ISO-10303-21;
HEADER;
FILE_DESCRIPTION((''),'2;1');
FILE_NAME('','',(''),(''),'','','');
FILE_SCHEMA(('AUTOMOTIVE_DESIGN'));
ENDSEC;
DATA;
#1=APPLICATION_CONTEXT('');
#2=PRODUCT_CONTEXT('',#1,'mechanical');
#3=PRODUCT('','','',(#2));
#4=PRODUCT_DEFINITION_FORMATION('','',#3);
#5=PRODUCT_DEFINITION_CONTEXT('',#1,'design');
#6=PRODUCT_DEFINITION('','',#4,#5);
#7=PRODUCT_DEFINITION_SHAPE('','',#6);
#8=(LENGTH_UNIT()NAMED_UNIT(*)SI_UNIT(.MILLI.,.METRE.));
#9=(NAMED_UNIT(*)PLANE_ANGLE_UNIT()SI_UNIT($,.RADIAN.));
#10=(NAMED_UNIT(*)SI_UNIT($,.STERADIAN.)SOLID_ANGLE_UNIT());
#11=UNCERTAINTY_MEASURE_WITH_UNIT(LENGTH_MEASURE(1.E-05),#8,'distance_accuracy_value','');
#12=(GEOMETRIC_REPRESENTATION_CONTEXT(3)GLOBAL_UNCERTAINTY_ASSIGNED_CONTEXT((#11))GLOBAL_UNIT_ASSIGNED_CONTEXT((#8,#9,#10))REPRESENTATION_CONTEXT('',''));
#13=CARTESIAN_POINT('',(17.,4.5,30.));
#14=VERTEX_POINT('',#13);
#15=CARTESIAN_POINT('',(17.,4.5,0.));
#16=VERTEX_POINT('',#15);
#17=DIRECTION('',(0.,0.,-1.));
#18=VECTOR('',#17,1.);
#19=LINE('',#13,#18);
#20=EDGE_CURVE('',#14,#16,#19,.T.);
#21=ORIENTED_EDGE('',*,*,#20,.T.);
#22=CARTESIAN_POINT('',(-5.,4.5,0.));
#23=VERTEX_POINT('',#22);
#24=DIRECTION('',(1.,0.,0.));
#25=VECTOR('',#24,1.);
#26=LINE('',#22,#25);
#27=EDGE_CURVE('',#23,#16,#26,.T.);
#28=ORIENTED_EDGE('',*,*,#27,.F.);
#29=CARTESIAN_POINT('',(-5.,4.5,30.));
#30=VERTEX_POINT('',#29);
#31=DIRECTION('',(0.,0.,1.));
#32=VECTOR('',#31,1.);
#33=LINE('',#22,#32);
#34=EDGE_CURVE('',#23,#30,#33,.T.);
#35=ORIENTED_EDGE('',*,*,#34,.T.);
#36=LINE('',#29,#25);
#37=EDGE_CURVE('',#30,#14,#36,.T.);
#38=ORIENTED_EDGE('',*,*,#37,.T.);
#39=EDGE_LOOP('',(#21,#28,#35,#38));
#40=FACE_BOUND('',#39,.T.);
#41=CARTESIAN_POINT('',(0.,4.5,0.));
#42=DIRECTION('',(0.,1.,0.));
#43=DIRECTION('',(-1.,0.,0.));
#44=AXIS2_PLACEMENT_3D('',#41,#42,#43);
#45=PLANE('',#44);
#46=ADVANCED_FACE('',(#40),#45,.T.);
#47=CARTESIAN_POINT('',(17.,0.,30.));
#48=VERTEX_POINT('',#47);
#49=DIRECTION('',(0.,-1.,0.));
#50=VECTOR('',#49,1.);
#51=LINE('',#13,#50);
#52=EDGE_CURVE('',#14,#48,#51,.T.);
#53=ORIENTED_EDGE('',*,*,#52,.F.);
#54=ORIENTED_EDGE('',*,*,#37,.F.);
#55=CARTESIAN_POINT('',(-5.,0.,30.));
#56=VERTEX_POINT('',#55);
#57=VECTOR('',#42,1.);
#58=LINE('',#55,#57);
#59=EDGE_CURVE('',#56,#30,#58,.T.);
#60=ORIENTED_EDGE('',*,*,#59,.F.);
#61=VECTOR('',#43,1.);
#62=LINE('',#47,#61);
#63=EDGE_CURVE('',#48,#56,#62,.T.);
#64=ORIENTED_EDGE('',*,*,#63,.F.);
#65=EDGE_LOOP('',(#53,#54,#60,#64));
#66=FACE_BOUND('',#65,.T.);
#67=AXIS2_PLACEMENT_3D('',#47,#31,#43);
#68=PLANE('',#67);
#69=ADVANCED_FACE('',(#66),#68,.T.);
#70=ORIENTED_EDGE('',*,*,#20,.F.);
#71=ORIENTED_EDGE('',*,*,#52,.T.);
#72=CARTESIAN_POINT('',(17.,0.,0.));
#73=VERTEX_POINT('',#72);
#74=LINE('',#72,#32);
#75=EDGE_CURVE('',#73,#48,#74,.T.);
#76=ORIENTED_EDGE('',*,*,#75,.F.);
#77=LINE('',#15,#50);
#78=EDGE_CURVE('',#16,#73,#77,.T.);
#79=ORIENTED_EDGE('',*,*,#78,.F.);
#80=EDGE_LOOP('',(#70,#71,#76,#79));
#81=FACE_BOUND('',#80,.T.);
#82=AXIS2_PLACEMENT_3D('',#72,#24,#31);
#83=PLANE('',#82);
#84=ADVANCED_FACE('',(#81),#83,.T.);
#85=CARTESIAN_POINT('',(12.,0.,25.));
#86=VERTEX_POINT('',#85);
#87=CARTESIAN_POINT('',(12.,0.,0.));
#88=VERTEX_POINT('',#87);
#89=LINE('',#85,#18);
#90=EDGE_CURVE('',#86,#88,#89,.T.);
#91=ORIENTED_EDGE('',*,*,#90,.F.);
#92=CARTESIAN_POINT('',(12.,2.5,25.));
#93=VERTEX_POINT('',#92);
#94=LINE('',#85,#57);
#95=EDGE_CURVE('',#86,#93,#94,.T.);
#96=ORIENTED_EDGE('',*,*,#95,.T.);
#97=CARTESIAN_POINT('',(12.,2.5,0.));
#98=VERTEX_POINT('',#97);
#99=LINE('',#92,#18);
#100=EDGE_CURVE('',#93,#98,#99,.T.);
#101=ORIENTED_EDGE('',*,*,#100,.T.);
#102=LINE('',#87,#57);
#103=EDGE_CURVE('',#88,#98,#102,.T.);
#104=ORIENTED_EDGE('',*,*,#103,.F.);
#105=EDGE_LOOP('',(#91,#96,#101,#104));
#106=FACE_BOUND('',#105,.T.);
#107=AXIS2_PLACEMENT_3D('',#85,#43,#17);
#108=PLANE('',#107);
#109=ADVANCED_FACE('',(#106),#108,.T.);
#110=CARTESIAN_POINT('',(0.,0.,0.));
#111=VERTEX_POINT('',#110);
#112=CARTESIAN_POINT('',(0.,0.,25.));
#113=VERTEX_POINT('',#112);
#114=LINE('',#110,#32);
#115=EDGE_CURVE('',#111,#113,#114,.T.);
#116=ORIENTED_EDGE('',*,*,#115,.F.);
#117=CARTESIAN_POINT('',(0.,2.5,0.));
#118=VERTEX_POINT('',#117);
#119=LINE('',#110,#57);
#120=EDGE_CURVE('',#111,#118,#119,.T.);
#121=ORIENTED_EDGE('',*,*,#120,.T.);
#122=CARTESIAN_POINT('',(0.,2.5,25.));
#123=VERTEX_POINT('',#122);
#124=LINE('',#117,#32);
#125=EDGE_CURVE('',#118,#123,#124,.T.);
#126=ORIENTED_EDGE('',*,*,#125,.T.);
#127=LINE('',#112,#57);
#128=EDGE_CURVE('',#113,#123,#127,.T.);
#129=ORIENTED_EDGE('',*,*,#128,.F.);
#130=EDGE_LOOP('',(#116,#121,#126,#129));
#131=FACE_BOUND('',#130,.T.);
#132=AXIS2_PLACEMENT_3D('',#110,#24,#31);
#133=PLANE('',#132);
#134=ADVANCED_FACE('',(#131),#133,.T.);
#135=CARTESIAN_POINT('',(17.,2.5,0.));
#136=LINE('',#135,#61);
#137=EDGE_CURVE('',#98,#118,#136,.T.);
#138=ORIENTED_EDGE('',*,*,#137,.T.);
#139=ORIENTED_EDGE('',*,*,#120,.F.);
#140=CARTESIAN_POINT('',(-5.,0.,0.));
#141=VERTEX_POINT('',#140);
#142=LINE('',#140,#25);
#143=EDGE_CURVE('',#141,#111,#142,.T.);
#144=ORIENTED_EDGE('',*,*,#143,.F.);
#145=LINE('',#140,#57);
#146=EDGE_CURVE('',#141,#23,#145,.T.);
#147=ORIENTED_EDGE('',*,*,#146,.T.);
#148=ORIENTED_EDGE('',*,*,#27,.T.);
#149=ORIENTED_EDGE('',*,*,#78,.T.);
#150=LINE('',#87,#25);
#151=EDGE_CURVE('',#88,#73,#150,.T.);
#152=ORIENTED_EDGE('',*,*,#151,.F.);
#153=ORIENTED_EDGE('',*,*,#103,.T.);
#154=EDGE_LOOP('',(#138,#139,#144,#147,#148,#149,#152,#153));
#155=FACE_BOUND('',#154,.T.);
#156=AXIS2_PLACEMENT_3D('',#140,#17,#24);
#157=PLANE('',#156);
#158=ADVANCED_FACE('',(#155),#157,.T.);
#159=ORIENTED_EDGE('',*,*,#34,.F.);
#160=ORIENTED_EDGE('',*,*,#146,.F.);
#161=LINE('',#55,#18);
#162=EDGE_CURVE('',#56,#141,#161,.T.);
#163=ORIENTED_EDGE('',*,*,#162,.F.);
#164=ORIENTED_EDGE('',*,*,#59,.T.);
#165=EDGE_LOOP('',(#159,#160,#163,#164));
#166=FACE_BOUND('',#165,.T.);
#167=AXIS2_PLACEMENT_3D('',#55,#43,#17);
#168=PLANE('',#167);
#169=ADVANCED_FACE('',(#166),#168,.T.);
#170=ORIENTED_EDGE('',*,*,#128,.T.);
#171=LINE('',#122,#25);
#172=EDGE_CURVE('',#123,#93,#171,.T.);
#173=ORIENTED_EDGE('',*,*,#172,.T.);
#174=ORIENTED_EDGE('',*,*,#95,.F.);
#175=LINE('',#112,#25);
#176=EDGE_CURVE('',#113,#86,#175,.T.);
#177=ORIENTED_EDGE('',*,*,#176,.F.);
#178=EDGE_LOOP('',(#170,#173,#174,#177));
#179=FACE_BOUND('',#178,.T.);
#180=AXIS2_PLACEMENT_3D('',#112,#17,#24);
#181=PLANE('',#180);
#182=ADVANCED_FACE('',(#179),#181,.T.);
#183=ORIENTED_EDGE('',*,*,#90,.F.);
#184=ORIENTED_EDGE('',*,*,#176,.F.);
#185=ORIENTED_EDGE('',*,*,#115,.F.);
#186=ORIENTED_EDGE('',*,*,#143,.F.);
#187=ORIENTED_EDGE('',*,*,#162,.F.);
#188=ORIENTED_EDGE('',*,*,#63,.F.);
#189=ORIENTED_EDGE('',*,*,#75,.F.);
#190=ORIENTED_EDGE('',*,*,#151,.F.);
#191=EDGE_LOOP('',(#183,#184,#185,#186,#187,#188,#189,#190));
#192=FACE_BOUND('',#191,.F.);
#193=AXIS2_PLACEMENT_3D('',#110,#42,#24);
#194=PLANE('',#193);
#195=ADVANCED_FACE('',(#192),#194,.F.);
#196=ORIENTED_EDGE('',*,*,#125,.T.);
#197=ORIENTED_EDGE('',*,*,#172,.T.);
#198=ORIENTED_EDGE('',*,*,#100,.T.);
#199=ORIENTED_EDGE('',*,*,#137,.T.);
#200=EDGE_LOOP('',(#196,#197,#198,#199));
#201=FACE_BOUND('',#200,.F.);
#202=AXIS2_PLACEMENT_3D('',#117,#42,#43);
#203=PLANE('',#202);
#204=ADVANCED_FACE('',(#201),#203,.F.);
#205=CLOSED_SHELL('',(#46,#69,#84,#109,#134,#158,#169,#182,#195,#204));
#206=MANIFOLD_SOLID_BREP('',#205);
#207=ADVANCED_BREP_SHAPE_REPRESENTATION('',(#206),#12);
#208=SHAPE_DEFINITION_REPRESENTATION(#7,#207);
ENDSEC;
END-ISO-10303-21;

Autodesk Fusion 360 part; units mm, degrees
sketch "Boceto1" plane through (0, 0, 0) normal (0, 1, 0) x (1, 0, 0)
  line L0 (0, 0) -> (12, 0)
  line L1 (12, 0) -> (17, 0)
  line L2 (17, 0) -> (17, -30)
  line L3 (17, -30) -> (0, -30)
  line L4 (0, -30) -> (-5, -30)
  line L5 (-5, -30) -> (-5, 0)
  line L6 (-5, 0) -> (0, 0)
  line L7 (0, 0) -> (0, -25)
  line L8 (0, -25) -> (12, -25)
  line L9 (12, -25) -> (12, 0)
  dimension "d1" = 12
  dimension "d2" = 5
  dimension "d3" = 30
  dimension "d4" = 5
extrude "Extruir1" add sketch "Boceto1" along normal blind 2.5 contours L1 L2 L3 L4 L5 L6 L7 L8 L9
sketch "Boceto2" plane through (0, 2.5, 0) normal (0, 1, 0) x (-1, 0, 0)
  line L0 (-12, 25) -> (0, 25)
  line L1 (0, 25) -> (0, 0)
  line L2 (0, 0) -> (5, 0)
  line L3 (5, 0) -> (5, 30)
  line L4 (5, 30) -> (-17, 30)
  line L5 (-17, 30) -> (-17, 0)
  line L6 (-17, 0) -> (-12, 0)
  line L7 (-12, 0) -> (-12, 25)
  line L8 (5, 0) -> (-17, 0)
  line L9 (-17, 30) -> (-17, 0)
  line L10 (-17, 30) -> (5, 30)
  line L11 (5, 0) -> (5, 30)
extrude "Extruir2" add sketch "Boceto2" along normal blind 2
